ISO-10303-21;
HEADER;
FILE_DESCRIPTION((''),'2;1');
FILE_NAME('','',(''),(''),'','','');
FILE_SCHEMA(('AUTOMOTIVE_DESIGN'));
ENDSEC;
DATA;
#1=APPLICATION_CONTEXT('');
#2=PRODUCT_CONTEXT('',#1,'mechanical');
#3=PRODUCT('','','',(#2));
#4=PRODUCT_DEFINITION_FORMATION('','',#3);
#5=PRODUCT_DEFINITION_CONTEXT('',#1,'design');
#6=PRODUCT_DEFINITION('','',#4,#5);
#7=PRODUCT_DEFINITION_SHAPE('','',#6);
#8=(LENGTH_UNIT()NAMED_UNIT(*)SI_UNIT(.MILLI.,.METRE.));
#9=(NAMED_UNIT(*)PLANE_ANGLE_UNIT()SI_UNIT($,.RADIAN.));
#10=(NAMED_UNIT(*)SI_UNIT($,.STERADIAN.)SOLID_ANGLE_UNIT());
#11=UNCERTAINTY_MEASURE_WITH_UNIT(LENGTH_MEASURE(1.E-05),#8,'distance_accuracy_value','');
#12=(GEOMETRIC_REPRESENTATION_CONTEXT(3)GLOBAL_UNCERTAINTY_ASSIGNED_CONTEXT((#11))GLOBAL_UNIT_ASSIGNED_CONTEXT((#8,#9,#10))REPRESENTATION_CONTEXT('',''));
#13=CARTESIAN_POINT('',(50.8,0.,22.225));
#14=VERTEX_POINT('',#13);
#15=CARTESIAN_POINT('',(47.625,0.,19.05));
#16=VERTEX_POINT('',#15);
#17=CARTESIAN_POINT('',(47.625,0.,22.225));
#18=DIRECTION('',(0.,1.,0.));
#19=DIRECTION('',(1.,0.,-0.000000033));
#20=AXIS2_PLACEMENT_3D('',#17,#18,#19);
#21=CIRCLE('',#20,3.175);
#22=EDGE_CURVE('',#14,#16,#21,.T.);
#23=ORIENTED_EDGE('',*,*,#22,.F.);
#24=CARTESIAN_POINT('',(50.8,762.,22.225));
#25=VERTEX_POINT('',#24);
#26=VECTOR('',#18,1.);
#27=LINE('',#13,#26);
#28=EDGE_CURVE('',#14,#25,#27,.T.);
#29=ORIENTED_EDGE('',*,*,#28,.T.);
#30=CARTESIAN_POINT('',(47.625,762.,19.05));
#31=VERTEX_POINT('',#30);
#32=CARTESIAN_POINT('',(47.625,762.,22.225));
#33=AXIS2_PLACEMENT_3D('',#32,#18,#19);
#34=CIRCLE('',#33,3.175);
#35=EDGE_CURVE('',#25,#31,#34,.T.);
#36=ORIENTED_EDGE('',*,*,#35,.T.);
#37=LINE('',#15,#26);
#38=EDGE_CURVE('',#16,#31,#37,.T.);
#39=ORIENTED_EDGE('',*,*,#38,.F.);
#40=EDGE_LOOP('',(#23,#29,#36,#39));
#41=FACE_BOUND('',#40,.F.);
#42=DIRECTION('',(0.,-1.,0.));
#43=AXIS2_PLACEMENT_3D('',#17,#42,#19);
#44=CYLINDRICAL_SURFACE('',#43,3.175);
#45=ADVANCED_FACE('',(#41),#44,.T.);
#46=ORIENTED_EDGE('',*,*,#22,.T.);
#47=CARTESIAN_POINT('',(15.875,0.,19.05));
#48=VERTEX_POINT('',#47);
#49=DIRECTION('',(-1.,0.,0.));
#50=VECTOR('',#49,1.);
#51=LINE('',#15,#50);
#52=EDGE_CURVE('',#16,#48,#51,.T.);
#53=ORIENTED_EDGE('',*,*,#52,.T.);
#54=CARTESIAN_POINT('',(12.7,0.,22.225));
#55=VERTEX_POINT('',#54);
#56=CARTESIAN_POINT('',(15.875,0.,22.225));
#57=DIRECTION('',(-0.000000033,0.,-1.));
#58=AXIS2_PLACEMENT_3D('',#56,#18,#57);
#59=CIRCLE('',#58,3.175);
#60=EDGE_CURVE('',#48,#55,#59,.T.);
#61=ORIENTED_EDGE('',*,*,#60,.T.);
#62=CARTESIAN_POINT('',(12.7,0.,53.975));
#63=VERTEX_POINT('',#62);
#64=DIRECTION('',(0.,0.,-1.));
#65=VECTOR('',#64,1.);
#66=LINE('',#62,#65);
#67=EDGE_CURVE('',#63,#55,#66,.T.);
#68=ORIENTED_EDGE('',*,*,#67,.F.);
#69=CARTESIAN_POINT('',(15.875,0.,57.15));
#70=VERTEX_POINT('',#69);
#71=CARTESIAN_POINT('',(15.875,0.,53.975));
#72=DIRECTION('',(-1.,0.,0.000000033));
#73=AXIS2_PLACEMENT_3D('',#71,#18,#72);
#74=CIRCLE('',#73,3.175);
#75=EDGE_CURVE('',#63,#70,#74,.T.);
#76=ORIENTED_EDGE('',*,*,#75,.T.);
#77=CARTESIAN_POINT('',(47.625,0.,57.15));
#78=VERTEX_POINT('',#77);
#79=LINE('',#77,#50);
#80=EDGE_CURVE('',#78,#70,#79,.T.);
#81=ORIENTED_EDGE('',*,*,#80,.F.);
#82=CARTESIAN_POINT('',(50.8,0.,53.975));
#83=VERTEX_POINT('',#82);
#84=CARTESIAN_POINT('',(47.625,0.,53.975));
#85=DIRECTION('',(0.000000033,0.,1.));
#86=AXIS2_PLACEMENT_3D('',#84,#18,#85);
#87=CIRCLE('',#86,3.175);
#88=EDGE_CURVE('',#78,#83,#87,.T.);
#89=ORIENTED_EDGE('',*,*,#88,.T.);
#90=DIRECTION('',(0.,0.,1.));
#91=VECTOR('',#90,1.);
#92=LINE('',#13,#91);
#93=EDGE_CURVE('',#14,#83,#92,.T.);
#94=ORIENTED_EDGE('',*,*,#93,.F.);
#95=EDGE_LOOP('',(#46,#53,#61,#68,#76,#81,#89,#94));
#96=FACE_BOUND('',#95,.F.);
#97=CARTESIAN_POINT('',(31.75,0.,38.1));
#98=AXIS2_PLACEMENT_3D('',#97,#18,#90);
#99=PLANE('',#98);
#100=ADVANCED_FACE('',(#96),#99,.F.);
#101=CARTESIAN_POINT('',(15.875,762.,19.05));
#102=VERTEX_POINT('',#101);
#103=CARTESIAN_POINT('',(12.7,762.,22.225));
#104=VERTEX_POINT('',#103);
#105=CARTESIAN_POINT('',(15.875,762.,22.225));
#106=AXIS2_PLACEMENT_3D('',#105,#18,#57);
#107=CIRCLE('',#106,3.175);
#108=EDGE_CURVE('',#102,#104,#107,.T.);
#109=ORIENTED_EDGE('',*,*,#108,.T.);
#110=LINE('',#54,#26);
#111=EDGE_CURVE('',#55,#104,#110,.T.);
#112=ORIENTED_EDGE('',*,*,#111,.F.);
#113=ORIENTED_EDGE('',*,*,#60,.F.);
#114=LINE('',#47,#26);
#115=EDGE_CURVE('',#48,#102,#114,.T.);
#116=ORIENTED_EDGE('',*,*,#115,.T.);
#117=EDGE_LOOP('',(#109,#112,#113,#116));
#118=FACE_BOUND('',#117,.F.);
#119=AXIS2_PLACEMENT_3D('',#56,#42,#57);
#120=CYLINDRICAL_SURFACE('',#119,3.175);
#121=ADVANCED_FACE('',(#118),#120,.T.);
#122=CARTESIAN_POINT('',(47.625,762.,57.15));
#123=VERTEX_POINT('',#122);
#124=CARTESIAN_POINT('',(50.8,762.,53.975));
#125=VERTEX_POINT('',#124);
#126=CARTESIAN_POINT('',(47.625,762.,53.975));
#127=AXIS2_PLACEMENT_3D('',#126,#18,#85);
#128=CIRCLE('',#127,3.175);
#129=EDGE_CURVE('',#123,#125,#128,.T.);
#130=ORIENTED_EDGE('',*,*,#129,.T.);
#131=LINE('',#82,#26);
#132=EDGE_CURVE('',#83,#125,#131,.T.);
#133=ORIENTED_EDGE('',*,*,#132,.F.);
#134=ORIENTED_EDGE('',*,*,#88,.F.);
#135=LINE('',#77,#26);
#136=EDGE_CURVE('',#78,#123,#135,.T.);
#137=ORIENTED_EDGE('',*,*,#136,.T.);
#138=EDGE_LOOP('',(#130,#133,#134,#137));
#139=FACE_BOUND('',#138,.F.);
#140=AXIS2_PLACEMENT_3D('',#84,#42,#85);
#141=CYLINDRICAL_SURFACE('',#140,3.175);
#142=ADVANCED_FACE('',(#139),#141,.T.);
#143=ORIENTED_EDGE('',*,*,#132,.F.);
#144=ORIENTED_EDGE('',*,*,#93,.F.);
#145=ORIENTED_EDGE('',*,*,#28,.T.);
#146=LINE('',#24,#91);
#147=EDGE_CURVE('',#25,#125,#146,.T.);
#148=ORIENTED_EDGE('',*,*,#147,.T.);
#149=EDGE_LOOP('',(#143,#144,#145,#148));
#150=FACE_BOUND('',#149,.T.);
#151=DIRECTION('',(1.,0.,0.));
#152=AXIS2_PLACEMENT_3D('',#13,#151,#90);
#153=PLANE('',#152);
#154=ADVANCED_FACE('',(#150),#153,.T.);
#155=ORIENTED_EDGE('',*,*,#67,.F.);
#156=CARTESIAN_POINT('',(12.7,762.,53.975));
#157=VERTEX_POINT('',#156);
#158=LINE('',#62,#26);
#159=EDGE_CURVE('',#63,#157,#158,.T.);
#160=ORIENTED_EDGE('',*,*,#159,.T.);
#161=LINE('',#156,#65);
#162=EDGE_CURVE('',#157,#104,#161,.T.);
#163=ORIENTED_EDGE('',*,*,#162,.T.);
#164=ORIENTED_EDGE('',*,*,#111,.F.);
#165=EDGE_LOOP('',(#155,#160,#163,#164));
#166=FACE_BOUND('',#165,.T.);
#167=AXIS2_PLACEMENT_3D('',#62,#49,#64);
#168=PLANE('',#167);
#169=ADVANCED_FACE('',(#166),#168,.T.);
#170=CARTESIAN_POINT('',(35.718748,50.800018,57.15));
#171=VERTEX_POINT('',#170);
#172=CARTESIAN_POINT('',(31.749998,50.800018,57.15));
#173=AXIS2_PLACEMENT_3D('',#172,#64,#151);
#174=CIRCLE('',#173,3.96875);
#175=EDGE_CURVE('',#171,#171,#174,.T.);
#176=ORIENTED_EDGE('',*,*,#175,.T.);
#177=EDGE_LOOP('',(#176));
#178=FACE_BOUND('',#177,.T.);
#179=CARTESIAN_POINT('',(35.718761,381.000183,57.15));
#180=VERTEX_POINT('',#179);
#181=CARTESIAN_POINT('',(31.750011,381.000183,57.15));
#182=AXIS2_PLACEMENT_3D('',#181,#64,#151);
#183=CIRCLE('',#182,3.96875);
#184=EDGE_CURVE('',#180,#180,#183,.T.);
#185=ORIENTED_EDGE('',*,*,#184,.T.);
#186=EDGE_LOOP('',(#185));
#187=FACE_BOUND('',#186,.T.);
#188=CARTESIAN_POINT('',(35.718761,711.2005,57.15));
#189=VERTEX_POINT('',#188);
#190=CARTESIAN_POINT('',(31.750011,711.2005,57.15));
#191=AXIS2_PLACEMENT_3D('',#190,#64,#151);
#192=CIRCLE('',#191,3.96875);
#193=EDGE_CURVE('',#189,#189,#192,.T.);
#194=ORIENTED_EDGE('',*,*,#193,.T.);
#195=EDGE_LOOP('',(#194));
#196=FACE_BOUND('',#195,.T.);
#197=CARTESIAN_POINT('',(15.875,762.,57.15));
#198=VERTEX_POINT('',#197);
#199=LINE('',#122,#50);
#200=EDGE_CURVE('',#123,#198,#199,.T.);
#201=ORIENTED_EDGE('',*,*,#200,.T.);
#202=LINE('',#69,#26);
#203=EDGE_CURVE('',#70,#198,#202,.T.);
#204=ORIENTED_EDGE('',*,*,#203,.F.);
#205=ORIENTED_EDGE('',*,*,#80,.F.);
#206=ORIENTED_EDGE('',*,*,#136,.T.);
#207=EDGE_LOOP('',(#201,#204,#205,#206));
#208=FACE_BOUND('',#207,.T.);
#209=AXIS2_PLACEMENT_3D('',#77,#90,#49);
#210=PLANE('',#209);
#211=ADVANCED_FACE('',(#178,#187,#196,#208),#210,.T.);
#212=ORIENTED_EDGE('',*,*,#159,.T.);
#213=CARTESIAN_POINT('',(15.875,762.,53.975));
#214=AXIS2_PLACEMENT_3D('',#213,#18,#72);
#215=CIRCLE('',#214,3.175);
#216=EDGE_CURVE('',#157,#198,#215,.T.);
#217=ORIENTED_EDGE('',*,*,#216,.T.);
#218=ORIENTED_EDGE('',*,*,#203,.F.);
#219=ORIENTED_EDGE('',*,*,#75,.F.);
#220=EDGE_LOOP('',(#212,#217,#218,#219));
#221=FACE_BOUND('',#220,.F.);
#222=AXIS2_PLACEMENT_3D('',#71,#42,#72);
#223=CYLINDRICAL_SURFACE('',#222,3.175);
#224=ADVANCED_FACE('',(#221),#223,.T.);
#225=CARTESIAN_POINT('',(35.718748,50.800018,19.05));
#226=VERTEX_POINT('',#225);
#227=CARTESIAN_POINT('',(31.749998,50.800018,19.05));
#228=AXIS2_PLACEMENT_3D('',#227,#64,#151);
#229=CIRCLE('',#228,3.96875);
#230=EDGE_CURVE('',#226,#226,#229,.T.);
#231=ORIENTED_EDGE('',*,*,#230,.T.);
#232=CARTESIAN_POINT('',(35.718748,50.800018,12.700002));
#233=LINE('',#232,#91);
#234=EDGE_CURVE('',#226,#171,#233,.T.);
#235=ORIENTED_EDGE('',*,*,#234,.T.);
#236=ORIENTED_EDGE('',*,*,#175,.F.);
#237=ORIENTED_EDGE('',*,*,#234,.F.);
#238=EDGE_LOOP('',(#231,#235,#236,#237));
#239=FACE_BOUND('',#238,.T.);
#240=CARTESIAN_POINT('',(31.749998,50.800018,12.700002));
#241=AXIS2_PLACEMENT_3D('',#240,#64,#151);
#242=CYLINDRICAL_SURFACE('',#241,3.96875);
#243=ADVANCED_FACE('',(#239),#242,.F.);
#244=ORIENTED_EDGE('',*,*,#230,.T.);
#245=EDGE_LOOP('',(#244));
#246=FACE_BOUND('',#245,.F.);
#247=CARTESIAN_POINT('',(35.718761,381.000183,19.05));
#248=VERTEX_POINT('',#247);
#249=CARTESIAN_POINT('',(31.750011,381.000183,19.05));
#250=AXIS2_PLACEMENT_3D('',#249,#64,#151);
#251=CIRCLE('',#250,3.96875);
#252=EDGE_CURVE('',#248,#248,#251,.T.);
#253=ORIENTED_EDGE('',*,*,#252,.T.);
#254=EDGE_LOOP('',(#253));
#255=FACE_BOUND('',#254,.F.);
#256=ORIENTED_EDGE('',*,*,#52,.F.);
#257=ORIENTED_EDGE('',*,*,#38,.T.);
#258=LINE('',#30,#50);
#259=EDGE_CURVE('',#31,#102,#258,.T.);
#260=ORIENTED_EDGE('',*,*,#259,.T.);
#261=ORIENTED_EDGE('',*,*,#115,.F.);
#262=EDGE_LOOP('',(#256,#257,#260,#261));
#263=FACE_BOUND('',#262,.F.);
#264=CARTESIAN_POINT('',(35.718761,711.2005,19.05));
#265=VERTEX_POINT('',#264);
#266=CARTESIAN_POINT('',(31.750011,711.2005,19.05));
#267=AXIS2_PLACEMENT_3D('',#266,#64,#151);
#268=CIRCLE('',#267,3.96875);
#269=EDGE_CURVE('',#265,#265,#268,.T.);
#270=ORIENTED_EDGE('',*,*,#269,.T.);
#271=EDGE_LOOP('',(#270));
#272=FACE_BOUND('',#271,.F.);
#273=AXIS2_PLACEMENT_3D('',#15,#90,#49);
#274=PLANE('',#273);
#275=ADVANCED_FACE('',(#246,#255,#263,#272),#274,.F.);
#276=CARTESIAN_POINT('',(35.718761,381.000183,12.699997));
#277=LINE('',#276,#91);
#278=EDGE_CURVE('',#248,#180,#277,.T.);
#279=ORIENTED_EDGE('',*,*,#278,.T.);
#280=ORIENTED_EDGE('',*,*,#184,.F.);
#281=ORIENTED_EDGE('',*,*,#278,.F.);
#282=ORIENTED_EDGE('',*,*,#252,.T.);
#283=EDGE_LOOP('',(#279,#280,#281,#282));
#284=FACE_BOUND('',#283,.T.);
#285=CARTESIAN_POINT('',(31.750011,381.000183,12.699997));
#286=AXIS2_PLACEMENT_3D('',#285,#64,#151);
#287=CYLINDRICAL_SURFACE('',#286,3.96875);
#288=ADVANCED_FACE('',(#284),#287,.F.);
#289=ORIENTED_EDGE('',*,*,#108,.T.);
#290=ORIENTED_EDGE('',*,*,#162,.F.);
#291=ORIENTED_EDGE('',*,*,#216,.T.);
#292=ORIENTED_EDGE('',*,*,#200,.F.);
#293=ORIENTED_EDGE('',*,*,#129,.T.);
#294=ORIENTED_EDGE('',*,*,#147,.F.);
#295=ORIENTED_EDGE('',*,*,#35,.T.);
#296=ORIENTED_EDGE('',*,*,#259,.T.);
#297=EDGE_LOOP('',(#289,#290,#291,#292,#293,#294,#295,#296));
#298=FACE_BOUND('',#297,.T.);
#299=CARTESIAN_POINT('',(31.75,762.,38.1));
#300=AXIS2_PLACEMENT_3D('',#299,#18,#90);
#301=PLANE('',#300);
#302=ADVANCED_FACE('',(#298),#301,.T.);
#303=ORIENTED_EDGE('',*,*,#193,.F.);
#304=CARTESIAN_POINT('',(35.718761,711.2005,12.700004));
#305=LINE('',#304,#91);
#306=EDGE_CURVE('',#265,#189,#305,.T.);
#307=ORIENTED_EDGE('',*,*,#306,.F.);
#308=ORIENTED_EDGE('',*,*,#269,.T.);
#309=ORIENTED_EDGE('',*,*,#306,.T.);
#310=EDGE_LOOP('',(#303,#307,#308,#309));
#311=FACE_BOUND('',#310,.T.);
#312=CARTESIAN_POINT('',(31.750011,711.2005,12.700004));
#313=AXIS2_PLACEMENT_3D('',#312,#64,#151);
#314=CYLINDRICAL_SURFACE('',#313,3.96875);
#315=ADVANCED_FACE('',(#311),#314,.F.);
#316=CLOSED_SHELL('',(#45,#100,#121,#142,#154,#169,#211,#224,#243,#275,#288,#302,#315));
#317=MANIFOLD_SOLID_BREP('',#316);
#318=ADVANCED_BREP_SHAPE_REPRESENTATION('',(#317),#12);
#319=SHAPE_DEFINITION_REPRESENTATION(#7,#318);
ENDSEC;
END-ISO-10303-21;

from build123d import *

# Parameters (mm, degrees)
CYLINDER_R                 = 3.96875
CYLINDER_DEPTH             = 50.8
EXTRUDE015_DEPTH           = 762
EXTRUDE015_PITCH_ANGLE     = -90
EXTRUDE015_PLACEMENT_ANGLE = -90


with BuildPart() as cylinder:
    # Cylinder → Cylinder (new body)
    with BuildSketch(Plane(origin=(381, 203.2, 16.66875), x_dir=(1, 0, 0), z_dir=(0, 0, 1))):
        Circle(CYLINDER_R)
    extrude(amount=CYLINDER_DEPTH)


with BuildPart() as cylinder003:
    # Link054 base: copy of Cylinder
    add(cylinder.part)


with BuildPart() as cylinder003_1:
    # Link054 placement: moved
    add(cylinder003.part.moved(Location((-349.249989, 508.0005, -3.968746))))


with BuildPart() as cylinder002:
    # Link053 base: copy of Cylinder
    add(cylinder.part)


with BuildPart() as cylinder002_1:
    # Link053 placement: moved
    add(cylinder002.part.moved(Location((-349.249989, 177.800183, -3.968753))))


with BuildPart() as cylinder001:
    # Link052 base: copy of Cylinder
    add(cylinder.part)


with BuildPart() as cylinder001_1:
    # Link052 placement: moved
    add(cylinder001.part.moved(Location((-349.250002, -152.399982, -3.968748))))


with BuildPart() as baffle_frame_d:
    # Sketch015 → Extrude015 (new body)
    with BuildSketch(Plane.XY):
        with BuildLine():
            Line((0, 34.925), (0, 3.175))
            ThreePointArc((0, 3.175), (0.929936, 0.929936), (3.175, 0))
            Line((34.925, 0), (3.175, 0))
            ThreePointArc((34.925, 0), (37.170064, 0.929936), (38.1, 3.175))
            Line((38.1, 34.925), (38.1, 3.175))
            ThreePointArc((38.1, 34.925), (37.170064, 37.170064), (34.925, 38.1))
            Line((3.175, 38.1), (34.925, 38.1))
            ThreePointArc((3.175, 38.1), (0.929936, 37.170064), (0, 34.925))
        make_face()
    extrude(amount=EXTRUDE015_DEPTH)


with BuildPart() as baffle_frame_d_1:
    # Extrude015 pitch: moved
    add(baffle_frame_d.part.rotate(Axis((0, 0, 0), (0, 1, 0)), EXTRUDE015_PITCH_ANGLE))


with BuildPart() as baffle_frame_d_2:
    # Extrude015 placement: moved
    add(baffle_frame_d_1.part.moved(Location((12.7, 0, 19.05))).rotate(Axis((12.7, 0, 19.05), (0, 0, 1)), EXTRUDE015_PLACEMENT_ANGLE))

    # Cut001: cut Cylinder001
    add(cylinder001_1.part, mode=Mode.SUBTRACT)

    # Cut002: cut Cylinder002
    add(cylinder002_1.part, mode=Mode.SUBTRACT)

    # Cut003: cut Cylinder003
    add(cylinder003_1.part, mode=Mode.SUBTRACT)


solid = baffle_frame_d_2.part
